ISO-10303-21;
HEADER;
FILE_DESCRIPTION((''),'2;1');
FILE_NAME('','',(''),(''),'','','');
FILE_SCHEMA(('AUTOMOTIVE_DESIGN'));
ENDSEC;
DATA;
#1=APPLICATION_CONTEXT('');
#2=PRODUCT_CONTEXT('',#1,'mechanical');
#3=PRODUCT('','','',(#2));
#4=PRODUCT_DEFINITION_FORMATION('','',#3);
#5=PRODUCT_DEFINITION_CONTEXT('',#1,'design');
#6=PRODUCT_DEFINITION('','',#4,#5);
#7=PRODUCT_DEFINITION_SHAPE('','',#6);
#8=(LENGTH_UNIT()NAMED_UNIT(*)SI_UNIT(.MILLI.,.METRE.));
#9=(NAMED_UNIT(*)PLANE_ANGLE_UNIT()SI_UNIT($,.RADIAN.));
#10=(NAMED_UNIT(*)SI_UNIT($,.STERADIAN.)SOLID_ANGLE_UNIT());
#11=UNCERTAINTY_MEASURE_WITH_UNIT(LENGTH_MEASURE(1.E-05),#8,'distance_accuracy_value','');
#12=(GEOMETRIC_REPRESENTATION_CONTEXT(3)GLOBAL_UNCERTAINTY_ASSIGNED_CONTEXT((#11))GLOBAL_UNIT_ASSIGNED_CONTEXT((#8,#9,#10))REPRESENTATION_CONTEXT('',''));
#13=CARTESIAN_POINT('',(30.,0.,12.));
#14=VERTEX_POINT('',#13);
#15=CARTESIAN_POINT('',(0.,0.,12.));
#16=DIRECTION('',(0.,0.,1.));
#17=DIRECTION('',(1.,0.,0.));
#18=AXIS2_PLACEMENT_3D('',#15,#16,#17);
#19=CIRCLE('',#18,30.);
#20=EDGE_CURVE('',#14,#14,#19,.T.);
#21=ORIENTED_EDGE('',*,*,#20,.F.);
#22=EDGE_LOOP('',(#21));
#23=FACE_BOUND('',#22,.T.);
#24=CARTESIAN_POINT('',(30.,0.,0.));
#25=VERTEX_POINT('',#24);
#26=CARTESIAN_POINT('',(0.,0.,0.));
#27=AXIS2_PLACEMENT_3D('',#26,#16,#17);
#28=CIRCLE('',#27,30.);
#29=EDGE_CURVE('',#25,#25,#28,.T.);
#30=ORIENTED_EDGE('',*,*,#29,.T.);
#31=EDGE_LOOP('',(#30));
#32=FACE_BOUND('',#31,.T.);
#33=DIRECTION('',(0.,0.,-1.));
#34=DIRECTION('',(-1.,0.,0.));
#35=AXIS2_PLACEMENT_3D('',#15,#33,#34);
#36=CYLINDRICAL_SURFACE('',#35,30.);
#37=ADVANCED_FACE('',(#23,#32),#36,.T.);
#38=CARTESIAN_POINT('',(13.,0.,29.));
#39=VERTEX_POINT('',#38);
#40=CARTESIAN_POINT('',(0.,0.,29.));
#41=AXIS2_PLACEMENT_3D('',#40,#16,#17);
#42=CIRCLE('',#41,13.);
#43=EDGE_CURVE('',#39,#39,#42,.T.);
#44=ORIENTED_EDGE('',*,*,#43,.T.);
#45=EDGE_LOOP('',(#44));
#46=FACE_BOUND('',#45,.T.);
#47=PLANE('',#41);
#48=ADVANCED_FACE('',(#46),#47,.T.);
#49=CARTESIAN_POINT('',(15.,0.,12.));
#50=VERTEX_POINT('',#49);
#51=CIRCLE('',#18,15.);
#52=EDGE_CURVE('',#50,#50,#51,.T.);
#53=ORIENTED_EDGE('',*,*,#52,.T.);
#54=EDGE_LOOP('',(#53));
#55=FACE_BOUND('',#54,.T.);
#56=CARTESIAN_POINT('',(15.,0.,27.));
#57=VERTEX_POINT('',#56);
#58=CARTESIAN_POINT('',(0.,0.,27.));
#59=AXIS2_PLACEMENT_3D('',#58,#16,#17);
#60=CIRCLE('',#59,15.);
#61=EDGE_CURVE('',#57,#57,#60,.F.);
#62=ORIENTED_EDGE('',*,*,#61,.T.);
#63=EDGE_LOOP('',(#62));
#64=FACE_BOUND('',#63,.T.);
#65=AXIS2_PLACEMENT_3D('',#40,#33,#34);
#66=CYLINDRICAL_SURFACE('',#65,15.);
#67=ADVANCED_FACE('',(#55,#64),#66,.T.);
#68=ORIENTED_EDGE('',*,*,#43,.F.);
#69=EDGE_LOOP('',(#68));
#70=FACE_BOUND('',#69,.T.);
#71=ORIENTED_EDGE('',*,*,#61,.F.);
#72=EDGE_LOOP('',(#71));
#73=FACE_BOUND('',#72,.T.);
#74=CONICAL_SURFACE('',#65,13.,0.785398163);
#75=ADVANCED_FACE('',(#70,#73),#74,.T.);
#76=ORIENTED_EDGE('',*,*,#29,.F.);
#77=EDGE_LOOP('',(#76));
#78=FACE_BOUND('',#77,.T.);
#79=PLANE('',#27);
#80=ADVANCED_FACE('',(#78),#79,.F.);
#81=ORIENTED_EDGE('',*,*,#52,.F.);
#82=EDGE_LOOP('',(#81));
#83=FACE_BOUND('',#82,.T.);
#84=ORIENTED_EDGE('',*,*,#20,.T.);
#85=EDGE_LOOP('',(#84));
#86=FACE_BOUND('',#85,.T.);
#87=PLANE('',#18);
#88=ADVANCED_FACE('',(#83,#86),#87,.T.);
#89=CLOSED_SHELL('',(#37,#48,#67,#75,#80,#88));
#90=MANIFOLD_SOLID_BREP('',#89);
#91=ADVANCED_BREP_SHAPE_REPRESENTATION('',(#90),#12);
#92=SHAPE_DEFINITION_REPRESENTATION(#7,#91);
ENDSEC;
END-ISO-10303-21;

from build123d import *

# Parameters (mm, degrees)
SKETCH1_R           = 30
BOSS_EXTRUDE3_DEPTH = 12
SKETCH3_R           = 15
BOSS_EXTRUDE4_DEPTH = 17
CHAMFER1_SIZE       = 2


with BuildPart() as part:
    # Sketch1 → Boss-Extrude3 (new body)
    with BuildSketch(Plane.XY):
        Circle(SKETCH1_R)
    extrude(amount=BOSS_EXTRUDE3_DEPTH)

    # Sketch3 → Boss-Extrude4 (add)
    with BuildSketch(Plane.XY.offset(12)):
        Circle(SKETCH3_R)
    extrude(amount=BOSS_EXTRUDE4_DEPTH)

    # Chamfer1
    chamfer1_edges = [part.edges().sort_by_distance(p)[0] for p in [
        (-15, 0, 29),
    ]]
    chamfer(chamfer1_edges, length=CHAMFER1_SIZE)


solid = part.part
